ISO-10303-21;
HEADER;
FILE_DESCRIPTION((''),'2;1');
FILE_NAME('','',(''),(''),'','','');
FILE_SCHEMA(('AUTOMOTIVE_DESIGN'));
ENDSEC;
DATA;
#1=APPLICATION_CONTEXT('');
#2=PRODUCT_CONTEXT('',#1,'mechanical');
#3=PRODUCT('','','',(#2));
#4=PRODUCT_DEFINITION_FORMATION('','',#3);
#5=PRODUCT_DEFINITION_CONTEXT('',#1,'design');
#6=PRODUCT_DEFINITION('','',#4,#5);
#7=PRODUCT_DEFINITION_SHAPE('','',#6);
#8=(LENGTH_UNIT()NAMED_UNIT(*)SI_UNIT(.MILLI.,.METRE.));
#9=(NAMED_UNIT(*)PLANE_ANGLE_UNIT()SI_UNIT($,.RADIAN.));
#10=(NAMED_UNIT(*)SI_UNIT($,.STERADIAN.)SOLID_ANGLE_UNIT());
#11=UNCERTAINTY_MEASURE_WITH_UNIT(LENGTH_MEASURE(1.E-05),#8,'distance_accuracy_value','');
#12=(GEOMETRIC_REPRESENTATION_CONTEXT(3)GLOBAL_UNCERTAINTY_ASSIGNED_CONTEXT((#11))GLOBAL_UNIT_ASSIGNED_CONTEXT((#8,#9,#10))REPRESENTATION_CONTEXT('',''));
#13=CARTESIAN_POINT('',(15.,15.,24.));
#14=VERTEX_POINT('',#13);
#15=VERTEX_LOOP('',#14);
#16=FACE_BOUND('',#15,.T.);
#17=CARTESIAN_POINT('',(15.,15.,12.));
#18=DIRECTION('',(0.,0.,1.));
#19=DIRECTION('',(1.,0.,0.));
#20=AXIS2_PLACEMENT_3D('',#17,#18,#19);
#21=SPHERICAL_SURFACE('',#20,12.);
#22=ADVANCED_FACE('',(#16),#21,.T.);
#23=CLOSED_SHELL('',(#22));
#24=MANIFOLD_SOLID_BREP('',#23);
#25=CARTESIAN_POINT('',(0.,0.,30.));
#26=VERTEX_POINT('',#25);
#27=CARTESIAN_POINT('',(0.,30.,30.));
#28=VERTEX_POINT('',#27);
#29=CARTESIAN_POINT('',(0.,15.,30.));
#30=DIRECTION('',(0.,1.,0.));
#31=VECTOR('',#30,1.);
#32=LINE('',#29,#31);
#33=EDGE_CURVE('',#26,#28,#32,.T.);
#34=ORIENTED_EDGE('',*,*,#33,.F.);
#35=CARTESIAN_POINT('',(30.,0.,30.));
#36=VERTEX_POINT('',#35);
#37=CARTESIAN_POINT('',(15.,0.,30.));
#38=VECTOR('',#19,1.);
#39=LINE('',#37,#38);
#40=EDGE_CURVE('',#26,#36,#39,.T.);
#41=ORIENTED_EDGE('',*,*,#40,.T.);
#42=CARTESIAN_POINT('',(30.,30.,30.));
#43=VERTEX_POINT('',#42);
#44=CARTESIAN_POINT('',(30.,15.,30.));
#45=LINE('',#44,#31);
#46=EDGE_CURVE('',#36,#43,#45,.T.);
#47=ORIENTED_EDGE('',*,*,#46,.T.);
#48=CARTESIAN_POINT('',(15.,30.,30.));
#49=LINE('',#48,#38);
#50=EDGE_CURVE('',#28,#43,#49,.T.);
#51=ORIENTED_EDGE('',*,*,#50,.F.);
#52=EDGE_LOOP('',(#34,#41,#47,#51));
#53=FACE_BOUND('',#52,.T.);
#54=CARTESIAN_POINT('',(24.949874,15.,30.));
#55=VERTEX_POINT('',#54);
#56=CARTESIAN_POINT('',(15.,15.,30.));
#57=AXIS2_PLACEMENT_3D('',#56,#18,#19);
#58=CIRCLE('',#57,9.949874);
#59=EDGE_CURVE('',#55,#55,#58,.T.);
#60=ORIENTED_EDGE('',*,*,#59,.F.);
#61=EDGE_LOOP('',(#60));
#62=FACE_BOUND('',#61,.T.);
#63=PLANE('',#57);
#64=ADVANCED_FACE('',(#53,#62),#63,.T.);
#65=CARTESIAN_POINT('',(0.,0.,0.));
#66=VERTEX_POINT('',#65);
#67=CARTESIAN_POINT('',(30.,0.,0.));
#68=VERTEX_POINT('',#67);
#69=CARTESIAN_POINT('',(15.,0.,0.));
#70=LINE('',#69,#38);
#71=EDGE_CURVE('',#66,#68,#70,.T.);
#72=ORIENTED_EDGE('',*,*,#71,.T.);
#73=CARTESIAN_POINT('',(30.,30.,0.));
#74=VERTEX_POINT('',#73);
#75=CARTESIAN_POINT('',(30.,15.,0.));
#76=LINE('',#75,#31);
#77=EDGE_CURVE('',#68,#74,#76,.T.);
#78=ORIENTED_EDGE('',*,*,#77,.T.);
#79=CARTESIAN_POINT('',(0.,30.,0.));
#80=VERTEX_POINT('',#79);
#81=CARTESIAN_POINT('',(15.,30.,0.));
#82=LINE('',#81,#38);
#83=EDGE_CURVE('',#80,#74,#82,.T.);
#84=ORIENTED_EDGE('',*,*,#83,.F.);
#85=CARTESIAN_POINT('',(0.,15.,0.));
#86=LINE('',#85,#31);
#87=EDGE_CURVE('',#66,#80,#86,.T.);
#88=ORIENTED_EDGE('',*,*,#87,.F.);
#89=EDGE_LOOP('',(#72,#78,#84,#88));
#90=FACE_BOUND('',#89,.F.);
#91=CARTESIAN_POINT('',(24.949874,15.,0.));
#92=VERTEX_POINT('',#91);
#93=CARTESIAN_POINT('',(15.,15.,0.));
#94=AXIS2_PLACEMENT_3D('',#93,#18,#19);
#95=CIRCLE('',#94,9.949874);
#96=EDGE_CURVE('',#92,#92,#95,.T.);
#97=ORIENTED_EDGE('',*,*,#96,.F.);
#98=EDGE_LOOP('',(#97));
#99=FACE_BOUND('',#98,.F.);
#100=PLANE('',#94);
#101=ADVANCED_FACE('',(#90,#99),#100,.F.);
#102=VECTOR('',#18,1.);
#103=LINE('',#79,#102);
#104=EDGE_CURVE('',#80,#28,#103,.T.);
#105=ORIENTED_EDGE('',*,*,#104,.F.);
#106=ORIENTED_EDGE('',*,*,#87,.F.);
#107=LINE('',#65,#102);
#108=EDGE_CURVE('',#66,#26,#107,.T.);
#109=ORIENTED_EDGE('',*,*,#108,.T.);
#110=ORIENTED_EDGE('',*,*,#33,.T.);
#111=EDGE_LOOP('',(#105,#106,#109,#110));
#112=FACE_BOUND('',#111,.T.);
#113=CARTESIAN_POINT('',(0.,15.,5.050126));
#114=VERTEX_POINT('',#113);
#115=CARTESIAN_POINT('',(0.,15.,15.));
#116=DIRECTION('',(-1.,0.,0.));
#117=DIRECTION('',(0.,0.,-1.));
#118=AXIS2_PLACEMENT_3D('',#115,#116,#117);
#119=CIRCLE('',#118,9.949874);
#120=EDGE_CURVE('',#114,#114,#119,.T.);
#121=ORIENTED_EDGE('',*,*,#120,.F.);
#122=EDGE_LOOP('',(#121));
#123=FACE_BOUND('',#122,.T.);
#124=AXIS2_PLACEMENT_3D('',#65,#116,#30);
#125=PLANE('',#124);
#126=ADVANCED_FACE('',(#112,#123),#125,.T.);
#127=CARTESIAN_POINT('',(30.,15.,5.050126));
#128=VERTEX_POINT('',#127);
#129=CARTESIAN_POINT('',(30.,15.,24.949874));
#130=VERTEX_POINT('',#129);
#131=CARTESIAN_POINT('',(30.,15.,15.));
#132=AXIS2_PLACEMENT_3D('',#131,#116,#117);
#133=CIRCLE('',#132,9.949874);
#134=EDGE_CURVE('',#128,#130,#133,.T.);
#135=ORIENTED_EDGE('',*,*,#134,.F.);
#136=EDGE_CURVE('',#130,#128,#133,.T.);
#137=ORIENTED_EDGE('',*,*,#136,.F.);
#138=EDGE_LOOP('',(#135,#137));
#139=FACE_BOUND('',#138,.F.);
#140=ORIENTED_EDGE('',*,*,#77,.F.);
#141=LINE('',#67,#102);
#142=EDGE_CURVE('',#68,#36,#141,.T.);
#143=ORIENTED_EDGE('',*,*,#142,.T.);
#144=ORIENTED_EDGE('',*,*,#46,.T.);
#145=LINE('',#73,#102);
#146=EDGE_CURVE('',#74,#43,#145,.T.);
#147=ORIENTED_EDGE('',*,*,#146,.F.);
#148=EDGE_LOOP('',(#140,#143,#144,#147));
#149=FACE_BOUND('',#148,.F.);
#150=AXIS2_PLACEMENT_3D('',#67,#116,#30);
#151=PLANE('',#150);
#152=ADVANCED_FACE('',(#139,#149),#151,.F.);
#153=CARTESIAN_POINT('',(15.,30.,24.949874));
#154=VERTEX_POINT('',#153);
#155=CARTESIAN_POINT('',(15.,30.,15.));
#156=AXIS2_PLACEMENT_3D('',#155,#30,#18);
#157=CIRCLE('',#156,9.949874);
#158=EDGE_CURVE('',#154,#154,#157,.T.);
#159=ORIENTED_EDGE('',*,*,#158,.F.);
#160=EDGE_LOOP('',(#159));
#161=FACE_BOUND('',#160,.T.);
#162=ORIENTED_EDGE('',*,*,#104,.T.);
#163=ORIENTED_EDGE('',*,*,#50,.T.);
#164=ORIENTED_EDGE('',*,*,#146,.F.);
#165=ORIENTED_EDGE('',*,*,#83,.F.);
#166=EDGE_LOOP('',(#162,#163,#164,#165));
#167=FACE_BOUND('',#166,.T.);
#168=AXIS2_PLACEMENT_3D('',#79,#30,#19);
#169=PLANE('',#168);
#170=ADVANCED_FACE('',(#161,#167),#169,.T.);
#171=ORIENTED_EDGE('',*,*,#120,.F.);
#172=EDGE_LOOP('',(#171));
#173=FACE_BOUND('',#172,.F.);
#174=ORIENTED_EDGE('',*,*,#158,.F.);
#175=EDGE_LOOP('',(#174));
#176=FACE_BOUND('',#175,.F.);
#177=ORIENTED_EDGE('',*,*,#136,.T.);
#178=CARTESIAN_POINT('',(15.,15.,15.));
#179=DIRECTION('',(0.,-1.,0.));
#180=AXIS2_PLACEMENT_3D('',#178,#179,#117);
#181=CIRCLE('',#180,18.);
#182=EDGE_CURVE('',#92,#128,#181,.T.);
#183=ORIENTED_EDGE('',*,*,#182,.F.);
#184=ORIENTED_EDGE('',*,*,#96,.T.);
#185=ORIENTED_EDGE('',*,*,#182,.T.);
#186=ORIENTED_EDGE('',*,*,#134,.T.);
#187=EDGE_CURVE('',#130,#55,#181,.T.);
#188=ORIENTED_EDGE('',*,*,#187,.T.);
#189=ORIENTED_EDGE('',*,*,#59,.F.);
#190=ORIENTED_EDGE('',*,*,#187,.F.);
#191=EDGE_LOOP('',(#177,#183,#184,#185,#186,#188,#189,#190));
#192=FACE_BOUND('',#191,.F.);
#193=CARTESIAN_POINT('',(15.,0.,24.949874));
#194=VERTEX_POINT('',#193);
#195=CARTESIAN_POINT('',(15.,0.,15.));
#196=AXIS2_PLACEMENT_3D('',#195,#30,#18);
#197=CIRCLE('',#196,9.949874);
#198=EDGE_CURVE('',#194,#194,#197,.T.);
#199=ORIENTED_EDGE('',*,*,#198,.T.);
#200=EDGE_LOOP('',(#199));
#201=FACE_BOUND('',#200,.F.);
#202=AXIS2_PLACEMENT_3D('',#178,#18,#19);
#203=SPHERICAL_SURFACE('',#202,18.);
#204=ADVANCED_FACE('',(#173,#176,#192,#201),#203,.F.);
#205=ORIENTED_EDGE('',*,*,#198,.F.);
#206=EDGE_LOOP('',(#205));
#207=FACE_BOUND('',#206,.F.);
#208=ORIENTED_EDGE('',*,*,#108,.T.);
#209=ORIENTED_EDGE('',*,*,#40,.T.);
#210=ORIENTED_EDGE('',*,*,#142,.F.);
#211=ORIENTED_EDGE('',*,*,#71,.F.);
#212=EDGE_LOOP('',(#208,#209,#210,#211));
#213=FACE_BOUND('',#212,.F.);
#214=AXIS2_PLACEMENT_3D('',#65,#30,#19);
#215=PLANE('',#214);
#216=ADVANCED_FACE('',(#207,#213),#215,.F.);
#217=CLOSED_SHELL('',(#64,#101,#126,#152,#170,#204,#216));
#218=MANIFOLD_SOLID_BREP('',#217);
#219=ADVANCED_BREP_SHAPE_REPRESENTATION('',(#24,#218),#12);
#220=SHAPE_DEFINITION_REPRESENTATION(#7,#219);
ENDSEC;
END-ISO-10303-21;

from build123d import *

# Parameters (mm, degrees)
BOX_W     = 30
BOX_H     = 30
BOX_DEPTH = 30


with BuildPart() as esfera_resta:
    # Sphere → Sphere (revolve)
    with BuildSketch(Plane(origin=(15, 15, 15), x_dir=(1, 0, 0), z_dir=(0, -1, 0))):
        with BuildLine():
            ThreePointArc((0, -18), (18, 0), (0, 18))
            Line((0, 18), (0, -18))
        make_face()
    revolve(axis=Axis((15, 15, 15), (0, 0, 1)))


with BuildPart() as cub_tallat:
    # Box → Box (new body)
    with BuildSketch(Plane.XY):
        with Locations((15, 15)):
            Rectangle(BOX_W, BOX_H)
    extrude(amount=BOX_DEPTH)

    # Cut: cut Esfera Resta
    add(esfera_resta.part, mode=Mode.SUBTRACT)


with BuildPart() as esfera_interior:
    # Sphere001 → Sphere001 (revolve)
    with BuildSketch(Plane(origin=(15, 15, 12), x_dir=(1, 0, 0), z_dir=(0, -1, 0))):
        with BuildLine():
            ThreePointArc((0, -12), (12, 0), (0, 12))
            Line((0, 12), (0, -12))
        make_face()
    revolve(axis=Axis((15, 15, 12), (0, 0, 1)))


solid = Compound([cub_tallat.part, esfera_interior.part])
